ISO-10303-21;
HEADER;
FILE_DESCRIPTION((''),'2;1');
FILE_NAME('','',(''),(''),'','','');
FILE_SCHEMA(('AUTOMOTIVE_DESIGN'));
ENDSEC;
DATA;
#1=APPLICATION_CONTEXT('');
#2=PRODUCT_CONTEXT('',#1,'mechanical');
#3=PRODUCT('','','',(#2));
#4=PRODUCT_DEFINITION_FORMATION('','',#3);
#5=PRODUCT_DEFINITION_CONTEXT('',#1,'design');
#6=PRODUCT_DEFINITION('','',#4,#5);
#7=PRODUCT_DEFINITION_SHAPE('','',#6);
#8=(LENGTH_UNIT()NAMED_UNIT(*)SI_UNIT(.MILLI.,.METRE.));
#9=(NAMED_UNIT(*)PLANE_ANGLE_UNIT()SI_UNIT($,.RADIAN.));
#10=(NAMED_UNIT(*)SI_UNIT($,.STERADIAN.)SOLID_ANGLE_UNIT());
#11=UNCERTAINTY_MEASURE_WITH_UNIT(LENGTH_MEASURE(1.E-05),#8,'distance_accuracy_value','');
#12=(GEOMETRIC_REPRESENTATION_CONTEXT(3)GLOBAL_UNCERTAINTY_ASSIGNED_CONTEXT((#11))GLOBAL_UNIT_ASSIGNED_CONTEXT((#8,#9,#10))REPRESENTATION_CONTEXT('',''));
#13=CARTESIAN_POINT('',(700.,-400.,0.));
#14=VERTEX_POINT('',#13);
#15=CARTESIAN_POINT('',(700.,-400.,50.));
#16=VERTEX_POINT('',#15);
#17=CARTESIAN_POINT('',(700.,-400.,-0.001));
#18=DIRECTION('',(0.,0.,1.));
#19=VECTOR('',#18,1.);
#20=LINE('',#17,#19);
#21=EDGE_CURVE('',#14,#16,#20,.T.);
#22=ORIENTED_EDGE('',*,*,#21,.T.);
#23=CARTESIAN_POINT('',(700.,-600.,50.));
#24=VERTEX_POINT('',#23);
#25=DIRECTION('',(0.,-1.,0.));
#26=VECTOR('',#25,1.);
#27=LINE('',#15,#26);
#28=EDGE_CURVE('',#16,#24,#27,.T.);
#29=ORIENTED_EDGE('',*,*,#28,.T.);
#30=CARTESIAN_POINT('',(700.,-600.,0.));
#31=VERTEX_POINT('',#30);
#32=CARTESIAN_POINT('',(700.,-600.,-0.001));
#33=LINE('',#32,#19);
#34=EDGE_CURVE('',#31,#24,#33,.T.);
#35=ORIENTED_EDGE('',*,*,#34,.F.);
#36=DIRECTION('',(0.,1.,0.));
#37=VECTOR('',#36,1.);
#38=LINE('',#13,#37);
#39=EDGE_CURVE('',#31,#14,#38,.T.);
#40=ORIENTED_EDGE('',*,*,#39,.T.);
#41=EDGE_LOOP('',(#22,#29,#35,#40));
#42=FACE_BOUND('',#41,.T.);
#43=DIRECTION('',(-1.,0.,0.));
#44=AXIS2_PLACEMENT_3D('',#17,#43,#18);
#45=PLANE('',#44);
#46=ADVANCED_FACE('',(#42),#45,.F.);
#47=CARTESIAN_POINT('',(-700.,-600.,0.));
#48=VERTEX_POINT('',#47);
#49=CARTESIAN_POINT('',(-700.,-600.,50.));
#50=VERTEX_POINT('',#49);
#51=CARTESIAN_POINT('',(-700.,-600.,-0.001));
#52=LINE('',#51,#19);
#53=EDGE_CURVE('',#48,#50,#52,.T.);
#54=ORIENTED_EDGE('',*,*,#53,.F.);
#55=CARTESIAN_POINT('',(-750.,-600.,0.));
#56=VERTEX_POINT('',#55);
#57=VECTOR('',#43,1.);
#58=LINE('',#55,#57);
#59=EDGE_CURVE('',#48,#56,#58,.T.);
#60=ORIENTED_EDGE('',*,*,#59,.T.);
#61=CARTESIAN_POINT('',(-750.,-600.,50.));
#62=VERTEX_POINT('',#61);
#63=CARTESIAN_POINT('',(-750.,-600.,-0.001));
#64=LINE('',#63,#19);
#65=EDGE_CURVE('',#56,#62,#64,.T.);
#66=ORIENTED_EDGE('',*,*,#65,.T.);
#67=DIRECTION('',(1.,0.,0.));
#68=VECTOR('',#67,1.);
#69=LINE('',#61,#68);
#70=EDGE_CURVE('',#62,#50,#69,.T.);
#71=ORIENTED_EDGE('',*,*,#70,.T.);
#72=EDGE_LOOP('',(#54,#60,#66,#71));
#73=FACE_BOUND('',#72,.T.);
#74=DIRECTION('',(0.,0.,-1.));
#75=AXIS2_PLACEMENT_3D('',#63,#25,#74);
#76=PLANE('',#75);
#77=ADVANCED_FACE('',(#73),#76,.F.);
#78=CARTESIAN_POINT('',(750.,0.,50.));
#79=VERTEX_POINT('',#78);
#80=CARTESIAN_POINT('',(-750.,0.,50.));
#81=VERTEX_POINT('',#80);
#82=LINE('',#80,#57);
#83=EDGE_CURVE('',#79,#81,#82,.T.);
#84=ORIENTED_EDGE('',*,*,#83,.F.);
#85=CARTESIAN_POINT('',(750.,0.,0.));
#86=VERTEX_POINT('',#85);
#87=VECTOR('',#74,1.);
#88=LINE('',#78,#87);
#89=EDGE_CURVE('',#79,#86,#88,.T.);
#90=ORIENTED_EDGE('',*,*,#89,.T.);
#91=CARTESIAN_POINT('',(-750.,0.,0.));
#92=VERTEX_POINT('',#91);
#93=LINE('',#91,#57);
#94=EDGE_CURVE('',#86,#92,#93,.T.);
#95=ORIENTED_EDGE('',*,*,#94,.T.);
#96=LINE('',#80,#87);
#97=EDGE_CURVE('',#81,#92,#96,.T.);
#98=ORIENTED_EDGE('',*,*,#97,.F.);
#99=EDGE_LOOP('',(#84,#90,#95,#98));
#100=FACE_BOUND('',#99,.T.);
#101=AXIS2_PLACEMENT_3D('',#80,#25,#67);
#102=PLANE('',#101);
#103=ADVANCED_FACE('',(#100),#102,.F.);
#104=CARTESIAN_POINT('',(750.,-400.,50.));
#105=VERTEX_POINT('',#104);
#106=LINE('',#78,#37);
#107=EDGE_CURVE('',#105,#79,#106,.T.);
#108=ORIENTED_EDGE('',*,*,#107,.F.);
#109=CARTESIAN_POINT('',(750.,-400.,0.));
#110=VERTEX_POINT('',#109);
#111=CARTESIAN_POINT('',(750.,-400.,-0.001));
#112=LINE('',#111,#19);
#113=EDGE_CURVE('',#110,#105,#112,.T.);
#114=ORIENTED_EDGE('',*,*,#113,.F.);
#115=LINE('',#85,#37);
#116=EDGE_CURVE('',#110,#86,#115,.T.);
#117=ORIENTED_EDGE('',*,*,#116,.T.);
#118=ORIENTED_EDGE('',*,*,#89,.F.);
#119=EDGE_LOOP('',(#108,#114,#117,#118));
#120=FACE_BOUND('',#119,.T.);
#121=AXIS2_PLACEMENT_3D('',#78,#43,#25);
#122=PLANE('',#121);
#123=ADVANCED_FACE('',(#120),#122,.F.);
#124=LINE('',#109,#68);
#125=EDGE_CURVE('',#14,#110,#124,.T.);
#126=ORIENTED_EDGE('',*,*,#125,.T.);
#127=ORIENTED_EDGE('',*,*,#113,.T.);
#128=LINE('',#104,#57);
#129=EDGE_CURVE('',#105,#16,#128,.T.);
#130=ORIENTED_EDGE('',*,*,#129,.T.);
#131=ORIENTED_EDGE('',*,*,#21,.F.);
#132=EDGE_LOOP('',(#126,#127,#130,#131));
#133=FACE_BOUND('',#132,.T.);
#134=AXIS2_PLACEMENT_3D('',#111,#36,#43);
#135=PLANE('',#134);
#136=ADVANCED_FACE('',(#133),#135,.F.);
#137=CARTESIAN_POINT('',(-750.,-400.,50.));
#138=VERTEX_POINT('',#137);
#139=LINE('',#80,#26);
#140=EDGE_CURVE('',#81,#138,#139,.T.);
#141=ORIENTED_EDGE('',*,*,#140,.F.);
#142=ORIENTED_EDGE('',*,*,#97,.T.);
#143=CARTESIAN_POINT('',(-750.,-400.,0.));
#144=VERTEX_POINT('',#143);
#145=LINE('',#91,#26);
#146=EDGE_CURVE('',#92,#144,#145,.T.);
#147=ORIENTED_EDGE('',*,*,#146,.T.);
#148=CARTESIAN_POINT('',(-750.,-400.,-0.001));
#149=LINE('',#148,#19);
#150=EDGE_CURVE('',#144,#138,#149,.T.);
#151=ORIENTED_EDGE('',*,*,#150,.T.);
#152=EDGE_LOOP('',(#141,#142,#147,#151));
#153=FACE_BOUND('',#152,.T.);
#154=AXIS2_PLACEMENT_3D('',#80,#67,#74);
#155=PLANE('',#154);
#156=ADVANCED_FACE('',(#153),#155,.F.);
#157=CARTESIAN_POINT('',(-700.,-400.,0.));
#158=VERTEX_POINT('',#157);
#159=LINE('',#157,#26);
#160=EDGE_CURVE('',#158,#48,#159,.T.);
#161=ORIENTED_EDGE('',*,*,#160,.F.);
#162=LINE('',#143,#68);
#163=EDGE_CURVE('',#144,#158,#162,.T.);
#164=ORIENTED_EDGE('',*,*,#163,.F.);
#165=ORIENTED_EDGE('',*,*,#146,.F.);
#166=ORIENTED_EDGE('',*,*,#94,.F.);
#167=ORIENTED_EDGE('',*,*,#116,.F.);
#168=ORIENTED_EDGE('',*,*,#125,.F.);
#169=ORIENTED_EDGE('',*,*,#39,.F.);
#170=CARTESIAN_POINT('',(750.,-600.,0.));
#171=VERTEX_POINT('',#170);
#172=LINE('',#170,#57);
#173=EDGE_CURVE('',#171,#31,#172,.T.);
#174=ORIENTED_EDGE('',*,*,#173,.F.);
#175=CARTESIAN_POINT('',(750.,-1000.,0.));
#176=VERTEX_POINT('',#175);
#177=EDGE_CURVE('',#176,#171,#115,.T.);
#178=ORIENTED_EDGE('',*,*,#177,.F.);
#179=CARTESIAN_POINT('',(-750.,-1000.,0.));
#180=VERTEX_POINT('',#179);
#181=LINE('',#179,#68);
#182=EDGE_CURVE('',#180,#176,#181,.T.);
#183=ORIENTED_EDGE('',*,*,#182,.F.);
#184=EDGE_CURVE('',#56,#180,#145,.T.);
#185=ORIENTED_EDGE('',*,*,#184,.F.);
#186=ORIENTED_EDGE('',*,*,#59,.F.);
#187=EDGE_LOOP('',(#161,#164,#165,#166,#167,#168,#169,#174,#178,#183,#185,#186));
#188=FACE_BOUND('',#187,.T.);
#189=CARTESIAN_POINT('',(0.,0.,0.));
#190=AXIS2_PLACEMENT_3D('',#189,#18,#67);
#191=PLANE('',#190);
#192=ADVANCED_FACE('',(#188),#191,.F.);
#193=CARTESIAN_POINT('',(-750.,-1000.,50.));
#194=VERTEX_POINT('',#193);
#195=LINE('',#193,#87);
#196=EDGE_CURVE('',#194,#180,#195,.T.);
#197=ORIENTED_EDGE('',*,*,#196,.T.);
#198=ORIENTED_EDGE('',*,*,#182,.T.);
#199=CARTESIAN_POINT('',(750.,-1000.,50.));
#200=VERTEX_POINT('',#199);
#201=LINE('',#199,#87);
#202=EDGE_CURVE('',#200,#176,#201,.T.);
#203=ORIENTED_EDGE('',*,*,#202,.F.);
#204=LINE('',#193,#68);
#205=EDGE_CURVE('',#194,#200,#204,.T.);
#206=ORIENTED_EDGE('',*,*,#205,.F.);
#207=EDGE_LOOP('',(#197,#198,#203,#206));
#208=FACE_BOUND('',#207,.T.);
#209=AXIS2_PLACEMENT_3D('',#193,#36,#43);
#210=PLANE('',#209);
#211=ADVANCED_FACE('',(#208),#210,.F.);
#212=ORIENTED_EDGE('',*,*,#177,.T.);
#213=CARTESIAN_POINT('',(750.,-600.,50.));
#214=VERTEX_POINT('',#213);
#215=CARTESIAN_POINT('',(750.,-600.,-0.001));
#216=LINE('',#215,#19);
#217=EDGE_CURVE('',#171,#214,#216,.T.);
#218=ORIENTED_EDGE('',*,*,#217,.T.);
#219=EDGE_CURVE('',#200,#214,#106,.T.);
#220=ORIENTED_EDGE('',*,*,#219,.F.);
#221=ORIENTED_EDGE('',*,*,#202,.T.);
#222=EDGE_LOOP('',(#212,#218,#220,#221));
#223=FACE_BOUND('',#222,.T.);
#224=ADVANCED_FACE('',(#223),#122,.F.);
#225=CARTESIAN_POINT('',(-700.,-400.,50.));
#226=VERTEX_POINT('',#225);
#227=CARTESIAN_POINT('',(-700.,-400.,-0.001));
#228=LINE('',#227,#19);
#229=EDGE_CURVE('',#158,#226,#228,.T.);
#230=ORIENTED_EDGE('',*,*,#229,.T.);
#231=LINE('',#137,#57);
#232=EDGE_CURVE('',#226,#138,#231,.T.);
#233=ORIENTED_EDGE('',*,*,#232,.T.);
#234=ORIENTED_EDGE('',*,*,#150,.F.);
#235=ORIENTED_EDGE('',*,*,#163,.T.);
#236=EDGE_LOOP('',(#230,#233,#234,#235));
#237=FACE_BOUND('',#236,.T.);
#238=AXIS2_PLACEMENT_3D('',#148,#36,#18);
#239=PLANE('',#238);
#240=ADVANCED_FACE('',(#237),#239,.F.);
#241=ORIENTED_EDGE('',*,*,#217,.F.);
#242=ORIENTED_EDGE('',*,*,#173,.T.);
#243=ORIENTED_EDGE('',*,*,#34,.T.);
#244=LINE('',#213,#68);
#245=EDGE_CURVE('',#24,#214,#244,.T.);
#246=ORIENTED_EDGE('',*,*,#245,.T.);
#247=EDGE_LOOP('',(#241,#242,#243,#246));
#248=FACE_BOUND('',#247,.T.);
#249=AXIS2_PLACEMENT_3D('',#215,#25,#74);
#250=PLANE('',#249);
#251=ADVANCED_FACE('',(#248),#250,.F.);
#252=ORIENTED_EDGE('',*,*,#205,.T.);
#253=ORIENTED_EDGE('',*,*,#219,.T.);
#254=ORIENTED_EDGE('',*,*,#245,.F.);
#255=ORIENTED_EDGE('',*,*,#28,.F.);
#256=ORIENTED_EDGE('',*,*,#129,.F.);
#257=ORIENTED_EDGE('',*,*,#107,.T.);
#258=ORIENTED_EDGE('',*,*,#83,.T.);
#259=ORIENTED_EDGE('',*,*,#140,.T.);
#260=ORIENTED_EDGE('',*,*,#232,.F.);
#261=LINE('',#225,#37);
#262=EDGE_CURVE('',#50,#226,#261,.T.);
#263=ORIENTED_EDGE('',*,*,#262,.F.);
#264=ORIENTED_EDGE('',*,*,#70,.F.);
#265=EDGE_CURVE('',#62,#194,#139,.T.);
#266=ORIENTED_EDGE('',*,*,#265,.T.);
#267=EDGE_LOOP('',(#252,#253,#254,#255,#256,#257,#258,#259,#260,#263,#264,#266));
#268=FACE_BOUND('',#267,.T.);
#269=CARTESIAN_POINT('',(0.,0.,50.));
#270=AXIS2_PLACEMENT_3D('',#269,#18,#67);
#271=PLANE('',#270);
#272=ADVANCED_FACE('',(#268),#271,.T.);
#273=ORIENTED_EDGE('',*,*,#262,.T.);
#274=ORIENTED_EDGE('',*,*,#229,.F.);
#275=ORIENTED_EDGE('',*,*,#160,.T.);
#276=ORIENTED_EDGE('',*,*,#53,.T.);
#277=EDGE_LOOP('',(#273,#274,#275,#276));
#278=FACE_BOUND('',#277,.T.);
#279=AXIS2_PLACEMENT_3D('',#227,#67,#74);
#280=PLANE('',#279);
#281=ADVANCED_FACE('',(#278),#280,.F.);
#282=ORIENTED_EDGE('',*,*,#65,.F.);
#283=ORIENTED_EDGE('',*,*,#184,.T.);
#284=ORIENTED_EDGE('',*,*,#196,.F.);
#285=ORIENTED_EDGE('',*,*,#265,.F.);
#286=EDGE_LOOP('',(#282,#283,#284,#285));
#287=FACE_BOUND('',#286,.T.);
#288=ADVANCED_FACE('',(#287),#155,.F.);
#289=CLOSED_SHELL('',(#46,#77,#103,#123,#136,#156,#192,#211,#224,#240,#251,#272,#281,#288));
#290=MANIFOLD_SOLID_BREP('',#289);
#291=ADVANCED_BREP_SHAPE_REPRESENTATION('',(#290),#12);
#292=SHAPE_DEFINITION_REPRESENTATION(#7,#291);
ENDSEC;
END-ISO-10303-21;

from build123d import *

# Parameters (mm, degrees)
SKIZZE1_W                       = 1500
SKIZZE1_H                       = 1000
AUFSATZ_LINEAR_AUSTRAGEN1_DEPTH = 50
SCHNITT_LINEAR_AUSTRAGEN1_REACH = 52
SKIZZE2_W                       = 50
SKIZZE2_H                       = 200
SCHNITT_LINEAR_AUSTRAGEN2_REACH = 52
SKIZZE3_W                       = 50
SKIZZE3_H                       = 200


with BuildPart() as part:
    # Skizze1 → Aufsatz-Linear austragen1 (new body)
    with BuildSketch(Plane.XY):
        with Locations((0, -500)):
            Rectangle(SKIZZE1_W, SKIZZE1_H)
    extrude(amount=AUFSATZ_LINEAR_AUSTRAGEN1_DEPTH)

    # Skizze2 → Schnitt-Linear austragen1 (cut, up to next)
    with BuildSketch(Plane.XY.offset(50), mode=Mode.PRIVATE) as schnitt_linear_austragen1_sk1:
        with Locations((-725, -500)):
            Rectangle(SKIZZE2_W, SKIZZE2_H)
    schnitt_linear_austragen1_tool1 = extrude(schnitt_linear_austragen1_sk1.sketch, amount=-SCHNITT_LINEAR_AUSTRAGEN1_REACH, mode=Mode.PRIVATE) & part.part
    add(schnitt_linear_austragen1_tool1.solids().sort_by_distance((-725, -500, 50))[0], mode=Mode.SUBTRACT)

    # Skizze3 → Schnitt-Linear austragen2 (cut, up to next)
    with BuildSketch(Plane.XY.offset(50), mode=Mode.PRIVATE) as schnitt_linear_austragen2_sk1:
        with Locations((725, -500)):
            Rectangle(SKIZZE3_W, SKIZZE3_H)
    schnitt_linear_austragen2_tool1 = extrude(schnitt_linear_austragen2_sk1.sketch, amount=-SCHNITT_LINEAR_AUSTRAGEN2_REACH, mode=Mode.PRIVATE) & part.part
    add(schnitt_linear_austragen2_tool1.solids().sort_by_distance((725, -500, 50))[0], mode=Mode.SUBTRACT)


solid = part.part
